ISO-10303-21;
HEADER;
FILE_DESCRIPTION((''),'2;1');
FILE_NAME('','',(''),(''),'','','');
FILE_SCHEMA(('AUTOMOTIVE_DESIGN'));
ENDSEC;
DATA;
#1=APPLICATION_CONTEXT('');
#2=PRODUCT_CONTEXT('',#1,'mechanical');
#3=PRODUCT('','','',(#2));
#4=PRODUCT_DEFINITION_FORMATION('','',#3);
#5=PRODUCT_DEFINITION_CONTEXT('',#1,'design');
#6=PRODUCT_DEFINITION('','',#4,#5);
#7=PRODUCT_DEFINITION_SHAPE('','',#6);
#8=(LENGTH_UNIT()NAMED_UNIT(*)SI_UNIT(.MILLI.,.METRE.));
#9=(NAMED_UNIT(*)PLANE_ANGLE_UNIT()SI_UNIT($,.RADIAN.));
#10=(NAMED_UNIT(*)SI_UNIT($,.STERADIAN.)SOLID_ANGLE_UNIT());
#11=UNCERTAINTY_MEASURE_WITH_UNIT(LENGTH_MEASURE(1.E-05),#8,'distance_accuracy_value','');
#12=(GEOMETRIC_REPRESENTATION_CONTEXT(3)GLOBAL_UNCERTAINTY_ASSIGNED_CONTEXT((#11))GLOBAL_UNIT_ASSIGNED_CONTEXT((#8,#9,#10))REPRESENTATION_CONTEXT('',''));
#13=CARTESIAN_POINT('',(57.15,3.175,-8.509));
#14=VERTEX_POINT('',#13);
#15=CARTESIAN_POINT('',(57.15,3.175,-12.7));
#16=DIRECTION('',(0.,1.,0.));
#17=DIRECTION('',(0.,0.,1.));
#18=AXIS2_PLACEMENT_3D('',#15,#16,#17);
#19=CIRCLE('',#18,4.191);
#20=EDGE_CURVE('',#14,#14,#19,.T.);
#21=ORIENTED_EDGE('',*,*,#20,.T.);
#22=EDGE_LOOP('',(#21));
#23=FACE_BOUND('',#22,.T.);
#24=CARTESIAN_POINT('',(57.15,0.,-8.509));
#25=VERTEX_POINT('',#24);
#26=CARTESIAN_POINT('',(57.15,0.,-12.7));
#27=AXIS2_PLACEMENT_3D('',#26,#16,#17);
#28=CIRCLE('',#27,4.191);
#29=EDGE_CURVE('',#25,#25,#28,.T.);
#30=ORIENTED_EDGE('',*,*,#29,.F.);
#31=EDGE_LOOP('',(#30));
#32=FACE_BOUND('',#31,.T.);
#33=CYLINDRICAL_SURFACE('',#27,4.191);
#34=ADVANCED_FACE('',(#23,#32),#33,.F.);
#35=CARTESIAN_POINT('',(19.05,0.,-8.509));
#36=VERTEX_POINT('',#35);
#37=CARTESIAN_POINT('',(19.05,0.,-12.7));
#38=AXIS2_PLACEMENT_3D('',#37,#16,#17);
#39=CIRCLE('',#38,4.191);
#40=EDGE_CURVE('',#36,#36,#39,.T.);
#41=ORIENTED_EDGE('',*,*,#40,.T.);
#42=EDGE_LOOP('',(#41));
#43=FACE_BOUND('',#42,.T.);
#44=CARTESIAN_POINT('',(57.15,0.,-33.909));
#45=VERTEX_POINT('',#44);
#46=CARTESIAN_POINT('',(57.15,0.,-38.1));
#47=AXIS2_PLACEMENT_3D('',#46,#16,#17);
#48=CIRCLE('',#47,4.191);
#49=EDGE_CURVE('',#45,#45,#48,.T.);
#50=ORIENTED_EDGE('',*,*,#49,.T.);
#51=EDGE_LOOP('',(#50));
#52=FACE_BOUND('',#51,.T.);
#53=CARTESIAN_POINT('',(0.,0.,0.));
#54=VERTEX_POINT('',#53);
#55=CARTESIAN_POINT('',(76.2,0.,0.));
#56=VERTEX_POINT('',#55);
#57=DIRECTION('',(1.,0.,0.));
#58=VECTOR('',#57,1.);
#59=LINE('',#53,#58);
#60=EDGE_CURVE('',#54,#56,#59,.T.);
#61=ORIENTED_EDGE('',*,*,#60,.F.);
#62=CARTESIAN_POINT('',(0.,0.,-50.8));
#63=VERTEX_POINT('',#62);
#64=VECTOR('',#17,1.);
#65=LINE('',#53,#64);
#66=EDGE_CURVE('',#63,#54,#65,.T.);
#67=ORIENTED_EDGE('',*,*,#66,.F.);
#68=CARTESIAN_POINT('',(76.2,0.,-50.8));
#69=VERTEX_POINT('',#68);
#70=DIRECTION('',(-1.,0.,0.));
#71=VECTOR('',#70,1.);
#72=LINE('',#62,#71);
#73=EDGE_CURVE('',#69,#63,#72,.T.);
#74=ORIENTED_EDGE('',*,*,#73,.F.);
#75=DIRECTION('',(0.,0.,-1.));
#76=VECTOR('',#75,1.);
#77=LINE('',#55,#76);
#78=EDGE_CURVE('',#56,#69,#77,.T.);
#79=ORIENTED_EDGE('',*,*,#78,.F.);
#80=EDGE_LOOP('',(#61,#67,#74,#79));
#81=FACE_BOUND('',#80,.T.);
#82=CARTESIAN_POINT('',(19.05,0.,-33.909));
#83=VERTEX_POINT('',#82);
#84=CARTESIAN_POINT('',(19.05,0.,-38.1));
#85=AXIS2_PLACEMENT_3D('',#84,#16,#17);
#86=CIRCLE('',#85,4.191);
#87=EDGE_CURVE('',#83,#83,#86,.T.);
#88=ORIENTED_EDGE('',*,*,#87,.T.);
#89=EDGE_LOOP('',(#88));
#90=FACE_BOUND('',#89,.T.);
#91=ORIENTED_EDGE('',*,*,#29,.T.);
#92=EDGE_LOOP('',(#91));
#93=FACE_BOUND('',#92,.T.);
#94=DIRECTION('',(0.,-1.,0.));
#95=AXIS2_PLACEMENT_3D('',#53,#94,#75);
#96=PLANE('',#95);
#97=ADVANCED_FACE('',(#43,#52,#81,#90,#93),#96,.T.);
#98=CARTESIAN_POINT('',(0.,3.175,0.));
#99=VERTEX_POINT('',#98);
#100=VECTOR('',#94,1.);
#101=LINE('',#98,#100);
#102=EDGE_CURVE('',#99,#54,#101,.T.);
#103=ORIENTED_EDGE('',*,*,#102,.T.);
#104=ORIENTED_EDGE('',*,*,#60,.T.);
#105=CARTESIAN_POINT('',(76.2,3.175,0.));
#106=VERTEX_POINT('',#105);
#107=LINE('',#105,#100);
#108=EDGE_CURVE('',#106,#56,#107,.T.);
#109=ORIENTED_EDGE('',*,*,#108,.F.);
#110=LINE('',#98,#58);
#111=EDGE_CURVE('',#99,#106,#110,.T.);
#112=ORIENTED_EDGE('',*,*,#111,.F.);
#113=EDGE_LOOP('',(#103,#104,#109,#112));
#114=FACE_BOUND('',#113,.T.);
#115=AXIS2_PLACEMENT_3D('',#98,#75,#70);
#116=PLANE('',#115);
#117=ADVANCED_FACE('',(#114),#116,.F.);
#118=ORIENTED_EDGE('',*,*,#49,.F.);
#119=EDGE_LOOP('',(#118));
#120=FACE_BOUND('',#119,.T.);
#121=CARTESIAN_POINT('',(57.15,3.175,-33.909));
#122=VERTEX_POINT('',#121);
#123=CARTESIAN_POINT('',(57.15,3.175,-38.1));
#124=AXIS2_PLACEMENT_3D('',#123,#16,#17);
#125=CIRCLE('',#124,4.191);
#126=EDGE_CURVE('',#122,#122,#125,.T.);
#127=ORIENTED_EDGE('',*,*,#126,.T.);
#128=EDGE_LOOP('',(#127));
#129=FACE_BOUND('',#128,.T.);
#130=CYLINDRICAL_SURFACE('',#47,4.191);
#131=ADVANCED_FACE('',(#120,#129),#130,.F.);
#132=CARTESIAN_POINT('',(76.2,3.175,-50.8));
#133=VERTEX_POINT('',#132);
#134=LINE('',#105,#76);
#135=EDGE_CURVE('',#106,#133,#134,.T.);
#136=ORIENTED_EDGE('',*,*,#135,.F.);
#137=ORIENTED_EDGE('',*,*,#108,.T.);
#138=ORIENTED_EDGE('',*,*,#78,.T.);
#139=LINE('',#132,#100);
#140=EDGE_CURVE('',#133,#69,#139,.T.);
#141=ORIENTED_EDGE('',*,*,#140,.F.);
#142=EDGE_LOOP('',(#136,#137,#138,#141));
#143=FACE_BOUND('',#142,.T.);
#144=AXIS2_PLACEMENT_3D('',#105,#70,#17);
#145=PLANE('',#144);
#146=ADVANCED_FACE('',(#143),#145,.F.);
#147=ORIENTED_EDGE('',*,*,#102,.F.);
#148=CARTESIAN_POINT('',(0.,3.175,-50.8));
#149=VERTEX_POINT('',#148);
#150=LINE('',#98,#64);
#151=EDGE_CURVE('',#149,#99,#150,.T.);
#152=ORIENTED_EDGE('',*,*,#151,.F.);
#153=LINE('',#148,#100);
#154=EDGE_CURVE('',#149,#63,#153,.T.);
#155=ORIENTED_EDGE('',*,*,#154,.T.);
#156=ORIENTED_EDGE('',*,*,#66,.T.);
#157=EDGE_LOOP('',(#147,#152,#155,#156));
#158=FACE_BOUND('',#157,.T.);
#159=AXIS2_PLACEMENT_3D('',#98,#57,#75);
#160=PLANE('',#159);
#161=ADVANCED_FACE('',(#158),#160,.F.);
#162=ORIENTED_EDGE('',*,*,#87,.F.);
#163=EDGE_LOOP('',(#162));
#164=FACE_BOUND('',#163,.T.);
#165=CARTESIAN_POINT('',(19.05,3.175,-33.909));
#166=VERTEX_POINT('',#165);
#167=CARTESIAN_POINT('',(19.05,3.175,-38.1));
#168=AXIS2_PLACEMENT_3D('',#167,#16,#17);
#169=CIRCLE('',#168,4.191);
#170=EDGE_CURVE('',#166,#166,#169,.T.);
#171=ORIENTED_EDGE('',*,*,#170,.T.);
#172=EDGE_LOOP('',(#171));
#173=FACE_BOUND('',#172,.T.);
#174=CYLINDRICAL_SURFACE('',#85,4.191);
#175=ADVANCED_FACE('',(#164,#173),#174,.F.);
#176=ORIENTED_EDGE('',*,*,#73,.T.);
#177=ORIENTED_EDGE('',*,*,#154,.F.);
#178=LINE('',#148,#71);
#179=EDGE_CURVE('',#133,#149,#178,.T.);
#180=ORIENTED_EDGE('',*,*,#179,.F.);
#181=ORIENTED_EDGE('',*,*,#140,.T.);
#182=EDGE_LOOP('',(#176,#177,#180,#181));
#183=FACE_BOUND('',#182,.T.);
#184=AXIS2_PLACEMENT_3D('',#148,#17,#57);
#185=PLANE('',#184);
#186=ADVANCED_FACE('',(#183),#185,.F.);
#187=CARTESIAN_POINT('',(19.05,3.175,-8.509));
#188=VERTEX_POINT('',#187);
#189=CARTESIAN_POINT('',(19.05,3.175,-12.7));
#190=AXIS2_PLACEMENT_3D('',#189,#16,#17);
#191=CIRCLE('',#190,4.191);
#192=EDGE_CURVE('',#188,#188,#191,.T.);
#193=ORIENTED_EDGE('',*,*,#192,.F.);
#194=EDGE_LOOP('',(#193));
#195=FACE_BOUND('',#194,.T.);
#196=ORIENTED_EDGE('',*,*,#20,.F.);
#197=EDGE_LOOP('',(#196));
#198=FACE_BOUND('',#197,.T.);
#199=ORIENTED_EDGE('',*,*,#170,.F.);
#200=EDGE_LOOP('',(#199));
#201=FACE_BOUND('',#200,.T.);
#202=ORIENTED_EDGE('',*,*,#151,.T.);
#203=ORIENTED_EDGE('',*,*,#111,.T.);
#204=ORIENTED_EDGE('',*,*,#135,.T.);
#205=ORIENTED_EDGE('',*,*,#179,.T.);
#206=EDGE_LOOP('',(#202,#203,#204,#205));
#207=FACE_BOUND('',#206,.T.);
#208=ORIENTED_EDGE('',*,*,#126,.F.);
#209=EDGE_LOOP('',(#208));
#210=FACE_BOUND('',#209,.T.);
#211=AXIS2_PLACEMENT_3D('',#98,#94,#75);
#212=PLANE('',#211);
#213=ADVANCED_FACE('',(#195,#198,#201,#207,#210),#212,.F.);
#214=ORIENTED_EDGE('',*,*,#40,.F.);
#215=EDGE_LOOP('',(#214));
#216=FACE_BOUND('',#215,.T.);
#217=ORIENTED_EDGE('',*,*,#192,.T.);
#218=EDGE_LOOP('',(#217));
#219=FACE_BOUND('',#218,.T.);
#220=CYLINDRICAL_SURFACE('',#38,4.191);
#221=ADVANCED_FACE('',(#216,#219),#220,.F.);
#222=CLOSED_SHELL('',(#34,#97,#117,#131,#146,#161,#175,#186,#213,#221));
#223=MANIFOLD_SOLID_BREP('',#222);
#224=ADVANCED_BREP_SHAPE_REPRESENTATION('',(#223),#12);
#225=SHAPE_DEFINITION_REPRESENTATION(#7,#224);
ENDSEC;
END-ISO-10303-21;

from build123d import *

# Parameters (mm, degrees)
SKETCH1_W           = 76.2
SKETCH1_H           = 50.8
BOSS_EXTRUDE1_DEPTH = 3.175
SKETCH3_R           = 4.191
CUT_EXTRUDE1_DEPTH  = 92.636022529


with BuildPart() as part:
    # Sketch1 → Boss-Extrude1 (new body)
    with BuildSketch(Plane(origin=(0, 0, 0), x_dir=(1, 0, 0), z_dir=(0, 1, 0))):
        with Locations((38.1, 25.4)):
            Rectangle(SKETCH1_W, SKETCH1_H)
    extrude(amount=BOSS_EXTRUDE1_DEPTH)

    # Sketch3 → Cut-Extrude1 (cut, through all)
    with BuildSketch(Plane(origin=(0, 3.175, 0), x_dir=(1, 0, 0), z_dir=(0, 1, 0))):
        with Locations(Location((19.05, 38.1, 0), (0, 0, 270))):
            Circle(SKETCH3_R)
        with Locations(Location((19.05, 12.7, 0), (0, 0, 270))):
            Circle(SKETCH3_R)
        with Locations(Location((57.15, 38.1, 0), (0, 0, 270))):
            Circle(SKETCH3_R)
        with Locations(Location((57.15, 12.7, 0), (0, 0, 270))):
            Circle(SKETCH3_R)
    extrude(amount=-CUT_EXTRUDE1_DEPTH, mode=Mode.SUBTRACT)


solid = part.part
